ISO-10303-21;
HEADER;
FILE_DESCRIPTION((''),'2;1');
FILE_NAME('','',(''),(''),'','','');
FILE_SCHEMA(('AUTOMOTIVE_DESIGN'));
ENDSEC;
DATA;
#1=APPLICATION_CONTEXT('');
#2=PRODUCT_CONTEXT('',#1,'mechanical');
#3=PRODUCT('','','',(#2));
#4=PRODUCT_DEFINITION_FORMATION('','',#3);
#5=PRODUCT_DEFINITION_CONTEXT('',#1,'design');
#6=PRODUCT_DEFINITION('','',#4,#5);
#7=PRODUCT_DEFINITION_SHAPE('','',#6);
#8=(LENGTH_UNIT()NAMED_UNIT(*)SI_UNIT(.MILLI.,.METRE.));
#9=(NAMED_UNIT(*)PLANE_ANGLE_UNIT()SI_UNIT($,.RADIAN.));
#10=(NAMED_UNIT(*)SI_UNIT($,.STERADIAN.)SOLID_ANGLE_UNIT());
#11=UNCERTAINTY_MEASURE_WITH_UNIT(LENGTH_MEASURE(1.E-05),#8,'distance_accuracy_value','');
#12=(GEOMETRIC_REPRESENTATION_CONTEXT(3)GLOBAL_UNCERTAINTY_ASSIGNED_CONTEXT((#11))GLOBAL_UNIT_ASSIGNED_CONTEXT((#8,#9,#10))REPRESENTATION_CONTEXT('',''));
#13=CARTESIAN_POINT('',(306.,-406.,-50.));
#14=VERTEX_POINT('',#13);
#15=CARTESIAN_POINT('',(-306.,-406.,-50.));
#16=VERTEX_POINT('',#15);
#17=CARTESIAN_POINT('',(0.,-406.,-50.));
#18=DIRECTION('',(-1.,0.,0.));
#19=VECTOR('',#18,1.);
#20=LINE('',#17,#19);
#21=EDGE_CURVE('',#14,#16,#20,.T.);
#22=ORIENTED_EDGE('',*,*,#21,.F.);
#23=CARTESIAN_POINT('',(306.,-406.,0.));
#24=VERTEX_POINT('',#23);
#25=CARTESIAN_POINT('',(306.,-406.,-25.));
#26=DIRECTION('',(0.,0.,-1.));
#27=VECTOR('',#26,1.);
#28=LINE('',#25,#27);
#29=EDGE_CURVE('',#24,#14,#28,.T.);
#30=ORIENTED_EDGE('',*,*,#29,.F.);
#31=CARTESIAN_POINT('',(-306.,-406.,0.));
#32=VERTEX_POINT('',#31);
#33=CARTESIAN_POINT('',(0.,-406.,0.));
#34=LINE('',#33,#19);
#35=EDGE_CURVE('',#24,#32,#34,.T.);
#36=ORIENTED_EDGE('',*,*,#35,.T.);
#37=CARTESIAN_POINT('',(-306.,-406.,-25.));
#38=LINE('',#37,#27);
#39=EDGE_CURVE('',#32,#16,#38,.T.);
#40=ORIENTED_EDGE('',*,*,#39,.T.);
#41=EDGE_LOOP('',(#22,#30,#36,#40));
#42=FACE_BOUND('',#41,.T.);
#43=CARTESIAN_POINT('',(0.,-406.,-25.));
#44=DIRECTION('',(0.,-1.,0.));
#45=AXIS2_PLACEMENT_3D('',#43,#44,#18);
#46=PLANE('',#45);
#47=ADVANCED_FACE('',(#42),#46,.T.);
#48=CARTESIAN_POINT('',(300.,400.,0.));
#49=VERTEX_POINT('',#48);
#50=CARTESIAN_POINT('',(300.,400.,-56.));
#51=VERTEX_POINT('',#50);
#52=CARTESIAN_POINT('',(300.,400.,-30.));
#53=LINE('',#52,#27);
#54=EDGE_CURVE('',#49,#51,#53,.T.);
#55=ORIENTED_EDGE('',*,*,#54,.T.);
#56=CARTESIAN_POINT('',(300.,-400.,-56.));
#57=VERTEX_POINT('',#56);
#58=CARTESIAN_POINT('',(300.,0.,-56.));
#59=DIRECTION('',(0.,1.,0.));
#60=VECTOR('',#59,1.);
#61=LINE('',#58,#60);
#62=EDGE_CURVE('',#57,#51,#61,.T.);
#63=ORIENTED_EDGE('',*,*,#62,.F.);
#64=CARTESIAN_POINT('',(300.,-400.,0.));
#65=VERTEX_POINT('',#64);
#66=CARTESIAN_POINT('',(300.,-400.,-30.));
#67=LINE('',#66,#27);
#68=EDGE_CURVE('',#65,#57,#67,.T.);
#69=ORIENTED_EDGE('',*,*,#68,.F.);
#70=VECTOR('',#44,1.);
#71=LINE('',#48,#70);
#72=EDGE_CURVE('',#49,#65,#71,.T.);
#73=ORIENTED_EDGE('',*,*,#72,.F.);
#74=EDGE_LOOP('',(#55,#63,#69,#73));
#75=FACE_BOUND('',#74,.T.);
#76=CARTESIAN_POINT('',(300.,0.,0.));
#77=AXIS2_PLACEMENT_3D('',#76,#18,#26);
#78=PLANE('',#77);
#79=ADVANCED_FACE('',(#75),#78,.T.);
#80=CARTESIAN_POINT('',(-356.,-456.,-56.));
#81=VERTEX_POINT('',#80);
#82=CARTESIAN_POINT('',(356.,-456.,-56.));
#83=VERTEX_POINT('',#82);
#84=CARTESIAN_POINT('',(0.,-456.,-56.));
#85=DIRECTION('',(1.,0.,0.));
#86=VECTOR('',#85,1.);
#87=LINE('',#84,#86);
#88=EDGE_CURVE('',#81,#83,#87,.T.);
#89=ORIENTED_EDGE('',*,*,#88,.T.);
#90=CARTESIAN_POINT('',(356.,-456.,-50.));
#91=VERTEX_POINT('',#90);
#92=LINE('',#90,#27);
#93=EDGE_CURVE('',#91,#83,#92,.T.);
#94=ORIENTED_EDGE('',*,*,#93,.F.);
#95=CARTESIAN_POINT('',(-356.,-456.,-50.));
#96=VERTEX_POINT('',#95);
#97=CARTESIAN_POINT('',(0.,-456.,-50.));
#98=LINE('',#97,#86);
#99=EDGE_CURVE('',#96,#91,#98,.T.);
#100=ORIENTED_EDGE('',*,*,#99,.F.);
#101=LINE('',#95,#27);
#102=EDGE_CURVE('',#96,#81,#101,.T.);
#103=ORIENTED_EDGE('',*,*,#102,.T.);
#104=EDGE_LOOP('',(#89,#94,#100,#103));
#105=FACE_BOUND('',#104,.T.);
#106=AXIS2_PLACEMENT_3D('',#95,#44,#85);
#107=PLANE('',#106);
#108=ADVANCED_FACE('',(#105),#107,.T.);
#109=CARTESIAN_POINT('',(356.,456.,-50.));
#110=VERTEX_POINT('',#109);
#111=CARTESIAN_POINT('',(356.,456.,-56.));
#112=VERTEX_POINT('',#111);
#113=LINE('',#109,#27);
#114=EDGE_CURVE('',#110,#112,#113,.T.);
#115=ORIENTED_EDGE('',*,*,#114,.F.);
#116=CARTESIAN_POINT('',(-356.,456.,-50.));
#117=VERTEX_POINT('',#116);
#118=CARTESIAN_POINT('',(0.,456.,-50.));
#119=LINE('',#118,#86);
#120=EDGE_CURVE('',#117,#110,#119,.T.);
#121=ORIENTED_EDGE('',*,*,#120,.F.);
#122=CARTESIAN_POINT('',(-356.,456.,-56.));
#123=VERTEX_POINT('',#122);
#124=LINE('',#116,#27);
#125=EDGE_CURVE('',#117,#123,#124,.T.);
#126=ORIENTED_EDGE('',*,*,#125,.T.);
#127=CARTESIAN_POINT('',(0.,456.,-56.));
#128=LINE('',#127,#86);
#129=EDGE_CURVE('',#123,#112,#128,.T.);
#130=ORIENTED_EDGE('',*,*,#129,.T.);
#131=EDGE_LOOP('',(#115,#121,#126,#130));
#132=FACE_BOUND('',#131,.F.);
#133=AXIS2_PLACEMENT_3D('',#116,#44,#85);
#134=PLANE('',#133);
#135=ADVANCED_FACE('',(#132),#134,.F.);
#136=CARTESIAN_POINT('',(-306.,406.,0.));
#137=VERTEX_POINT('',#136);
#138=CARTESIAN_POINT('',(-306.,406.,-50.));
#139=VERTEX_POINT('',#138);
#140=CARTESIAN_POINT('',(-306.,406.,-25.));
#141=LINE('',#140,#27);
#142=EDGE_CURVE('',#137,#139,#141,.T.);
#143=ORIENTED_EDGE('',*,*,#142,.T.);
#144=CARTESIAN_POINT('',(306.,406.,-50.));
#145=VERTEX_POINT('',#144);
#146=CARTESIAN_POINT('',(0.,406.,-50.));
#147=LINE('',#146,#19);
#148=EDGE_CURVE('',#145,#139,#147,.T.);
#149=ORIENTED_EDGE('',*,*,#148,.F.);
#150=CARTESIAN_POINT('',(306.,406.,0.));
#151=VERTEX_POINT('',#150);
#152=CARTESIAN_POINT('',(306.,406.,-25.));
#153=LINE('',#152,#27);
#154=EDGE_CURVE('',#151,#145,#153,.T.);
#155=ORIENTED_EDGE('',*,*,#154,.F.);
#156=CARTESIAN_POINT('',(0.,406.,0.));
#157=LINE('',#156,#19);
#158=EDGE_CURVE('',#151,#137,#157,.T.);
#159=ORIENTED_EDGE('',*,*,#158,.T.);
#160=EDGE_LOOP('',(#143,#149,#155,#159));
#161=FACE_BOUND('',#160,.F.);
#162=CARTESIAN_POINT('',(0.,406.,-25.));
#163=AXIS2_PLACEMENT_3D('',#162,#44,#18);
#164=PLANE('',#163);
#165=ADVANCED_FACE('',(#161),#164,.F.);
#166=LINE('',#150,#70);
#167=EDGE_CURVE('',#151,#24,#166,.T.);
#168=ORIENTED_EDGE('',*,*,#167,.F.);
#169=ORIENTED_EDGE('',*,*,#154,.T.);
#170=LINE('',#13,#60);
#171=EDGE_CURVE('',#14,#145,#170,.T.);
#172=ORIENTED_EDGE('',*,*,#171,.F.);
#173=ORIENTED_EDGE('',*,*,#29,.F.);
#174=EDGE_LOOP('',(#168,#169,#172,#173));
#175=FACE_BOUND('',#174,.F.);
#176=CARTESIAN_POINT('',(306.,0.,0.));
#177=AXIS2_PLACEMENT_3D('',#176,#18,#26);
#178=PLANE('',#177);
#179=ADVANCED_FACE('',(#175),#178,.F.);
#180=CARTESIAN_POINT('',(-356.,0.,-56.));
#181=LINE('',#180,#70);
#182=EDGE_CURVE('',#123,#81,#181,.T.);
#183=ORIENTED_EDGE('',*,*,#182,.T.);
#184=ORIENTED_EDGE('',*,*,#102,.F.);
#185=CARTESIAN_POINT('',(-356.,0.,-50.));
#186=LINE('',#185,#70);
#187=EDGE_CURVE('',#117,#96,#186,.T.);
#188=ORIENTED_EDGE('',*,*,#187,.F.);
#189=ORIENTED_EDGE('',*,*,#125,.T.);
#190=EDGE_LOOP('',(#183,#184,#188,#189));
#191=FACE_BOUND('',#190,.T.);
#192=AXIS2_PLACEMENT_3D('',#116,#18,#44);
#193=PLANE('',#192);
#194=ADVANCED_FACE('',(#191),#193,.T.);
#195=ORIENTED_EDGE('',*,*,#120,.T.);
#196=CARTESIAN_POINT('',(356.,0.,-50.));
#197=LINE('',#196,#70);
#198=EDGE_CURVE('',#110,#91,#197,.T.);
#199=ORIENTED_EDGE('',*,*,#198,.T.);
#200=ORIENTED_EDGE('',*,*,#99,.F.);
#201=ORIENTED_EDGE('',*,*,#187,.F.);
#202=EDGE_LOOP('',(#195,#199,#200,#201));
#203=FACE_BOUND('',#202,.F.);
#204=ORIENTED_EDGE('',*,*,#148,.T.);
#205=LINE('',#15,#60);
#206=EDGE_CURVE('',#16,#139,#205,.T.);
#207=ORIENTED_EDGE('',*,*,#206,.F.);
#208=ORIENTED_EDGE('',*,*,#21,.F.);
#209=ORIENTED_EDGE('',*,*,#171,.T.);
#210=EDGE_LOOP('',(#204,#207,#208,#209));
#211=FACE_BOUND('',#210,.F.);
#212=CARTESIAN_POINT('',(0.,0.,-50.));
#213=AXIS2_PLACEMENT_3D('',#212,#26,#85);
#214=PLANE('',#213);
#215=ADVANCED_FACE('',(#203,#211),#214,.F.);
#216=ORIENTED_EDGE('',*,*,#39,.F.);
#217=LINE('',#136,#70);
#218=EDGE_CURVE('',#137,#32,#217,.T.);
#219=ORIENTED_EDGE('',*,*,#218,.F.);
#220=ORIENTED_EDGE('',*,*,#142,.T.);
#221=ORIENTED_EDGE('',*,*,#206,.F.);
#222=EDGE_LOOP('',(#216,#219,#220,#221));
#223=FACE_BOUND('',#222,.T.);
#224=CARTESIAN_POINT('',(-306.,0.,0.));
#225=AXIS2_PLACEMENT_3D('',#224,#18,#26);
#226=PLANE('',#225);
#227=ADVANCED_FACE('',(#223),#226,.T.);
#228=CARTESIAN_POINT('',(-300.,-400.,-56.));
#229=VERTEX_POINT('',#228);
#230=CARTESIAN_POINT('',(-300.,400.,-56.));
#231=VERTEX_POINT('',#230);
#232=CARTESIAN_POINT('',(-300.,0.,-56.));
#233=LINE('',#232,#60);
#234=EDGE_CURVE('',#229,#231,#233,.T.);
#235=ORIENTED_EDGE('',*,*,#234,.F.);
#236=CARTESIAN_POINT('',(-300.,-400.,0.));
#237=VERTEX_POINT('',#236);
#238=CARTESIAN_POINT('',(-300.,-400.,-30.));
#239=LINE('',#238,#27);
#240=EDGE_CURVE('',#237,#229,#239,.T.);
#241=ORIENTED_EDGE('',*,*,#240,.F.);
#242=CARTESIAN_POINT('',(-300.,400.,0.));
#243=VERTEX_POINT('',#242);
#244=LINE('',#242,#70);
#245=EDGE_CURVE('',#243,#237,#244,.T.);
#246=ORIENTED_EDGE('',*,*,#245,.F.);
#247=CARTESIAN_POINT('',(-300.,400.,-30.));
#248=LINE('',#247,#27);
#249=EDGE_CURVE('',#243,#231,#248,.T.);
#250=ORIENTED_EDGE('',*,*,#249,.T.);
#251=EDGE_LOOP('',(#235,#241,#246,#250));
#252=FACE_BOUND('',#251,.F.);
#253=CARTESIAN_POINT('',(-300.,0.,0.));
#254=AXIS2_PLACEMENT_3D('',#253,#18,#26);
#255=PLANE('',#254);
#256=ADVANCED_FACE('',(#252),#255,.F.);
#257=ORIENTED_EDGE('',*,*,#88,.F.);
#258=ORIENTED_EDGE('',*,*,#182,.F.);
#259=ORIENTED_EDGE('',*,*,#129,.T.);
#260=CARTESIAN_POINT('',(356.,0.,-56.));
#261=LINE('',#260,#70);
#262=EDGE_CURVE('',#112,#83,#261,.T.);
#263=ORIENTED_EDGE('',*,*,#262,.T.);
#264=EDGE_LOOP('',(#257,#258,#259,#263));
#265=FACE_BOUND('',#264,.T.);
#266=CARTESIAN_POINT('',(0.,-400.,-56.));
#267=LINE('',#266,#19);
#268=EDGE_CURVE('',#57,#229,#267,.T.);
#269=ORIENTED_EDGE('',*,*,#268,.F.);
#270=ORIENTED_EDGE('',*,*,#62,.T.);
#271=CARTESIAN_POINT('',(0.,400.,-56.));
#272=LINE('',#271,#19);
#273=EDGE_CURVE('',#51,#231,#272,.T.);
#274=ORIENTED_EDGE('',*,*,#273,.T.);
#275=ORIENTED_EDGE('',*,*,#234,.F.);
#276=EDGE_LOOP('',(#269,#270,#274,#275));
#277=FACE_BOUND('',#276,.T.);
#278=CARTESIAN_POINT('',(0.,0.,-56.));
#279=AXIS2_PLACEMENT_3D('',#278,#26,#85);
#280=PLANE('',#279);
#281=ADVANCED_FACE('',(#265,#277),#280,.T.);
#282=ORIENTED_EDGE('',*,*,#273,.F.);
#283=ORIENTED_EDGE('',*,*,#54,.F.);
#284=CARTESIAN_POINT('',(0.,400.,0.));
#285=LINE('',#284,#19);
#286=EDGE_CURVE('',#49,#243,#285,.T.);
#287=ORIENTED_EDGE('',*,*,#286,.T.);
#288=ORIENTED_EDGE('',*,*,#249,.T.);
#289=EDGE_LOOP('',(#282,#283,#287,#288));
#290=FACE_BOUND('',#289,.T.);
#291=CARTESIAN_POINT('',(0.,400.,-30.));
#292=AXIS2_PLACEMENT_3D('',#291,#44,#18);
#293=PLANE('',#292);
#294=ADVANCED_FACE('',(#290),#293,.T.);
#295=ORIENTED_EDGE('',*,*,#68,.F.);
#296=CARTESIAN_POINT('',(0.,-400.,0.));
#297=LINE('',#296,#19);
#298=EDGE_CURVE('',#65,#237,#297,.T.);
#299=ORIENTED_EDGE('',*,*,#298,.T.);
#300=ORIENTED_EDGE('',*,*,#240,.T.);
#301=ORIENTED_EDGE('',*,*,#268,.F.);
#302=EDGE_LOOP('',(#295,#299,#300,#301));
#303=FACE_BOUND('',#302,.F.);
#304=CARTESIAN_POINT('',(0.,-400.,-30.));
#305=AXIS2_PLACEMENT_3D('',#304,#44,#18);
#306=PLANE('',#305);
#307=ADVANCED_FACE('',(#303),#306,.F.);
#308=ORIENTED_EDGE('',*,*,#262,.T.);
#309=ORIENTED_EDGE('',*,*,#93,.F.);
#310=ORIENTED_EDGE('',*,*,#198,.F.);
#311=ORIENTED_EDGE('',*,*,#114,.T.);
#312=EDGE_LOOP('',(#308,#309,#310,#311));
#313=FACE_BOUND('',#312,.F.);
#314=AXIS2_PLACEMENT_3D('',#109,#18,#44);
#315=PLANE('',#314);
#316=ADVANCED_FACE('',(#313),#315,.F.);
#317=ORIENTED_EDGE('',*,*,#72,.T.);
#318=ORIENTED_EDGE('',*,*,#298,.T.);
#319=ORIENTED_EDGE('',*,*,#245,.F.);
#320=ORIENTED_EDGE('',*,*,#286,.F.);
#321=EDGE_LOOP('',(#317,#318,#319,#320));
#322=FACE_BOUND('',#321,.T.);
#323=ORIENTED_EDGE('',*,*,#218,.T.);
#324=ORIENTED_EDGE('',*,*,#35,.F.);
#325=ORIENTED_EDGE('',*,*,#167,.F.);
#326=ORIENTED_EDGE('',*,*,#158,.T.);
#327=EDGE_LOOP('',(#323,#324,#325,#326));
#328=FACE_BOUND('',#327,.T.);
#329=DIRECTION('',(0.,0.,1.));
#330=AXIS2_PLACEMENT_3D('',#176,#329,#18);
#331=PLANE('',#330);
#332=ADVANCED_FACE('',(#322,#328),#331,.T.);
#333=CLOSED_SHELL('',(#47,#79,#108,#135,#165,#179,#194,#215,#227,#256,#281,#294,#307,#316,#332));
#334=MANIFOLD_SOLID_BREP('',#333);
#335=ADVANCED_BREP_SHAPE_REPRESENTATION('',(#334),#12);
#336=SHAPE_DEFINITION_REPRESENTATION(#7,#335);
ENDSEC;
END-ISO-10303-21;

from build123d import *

# Parameters (mm, degrees)
SKETCH052_W            = 600
SKETCH052_H            = 60
PAD003_DEPTH           = 400
SKETCH004_W            = 612
SKETCH004_H            = 50
PAD004_DEPTH           = 406
SKETCH053_W            = 712
SKETCH053_H            = 912
PAD005_DEPTH           = 6
CUT001_PLACEMENT_ANGLE = 180


with BuildPart() as body002:
    # Sketch052 → Pad003 (new body, symmetric)
    with BuildSketch(Plane.XZ):
        with Locations((0, 30)):
            Rectangle(SKETCH052_W, SKETCH052_H)
    extrude(amount=PAD003_DEPTH, both=True)


with BuildPart() as cut001:
    # Sketch004 → Pad004 (new body, symmetric)
    with BuildSketch(Plane.XZ):
        with Locations((0, 25)):
            Rectangle(SKETCH004_W, SKETCH004_H)
    extrude(amount=PAD004_DEPTH, both=True)

    # Sketch053 (on Face3 of Pad004) → Pad005 (join)
    with BuildSketch(Plane(origin=(0, 0, 50), x_dir=(-1, 0, 0), z_dir=(0, 0, 1))):
        Rectangle(SKETCH053_W, SKETCH053_H)
    extrude(amount=PAD005_DEPTH)

    # Cut001: cut Body002
    add(body002.part, mode=Mode.SUBTRACT)


with BuildPart() as cut001_1:
    # Cut001 placement: moved
    add(cut001.part.rotate(Axis((0, 0, 0), (0, 1, 0)), CUT001_PLACEMENT_ANGLE))


solid = cut001_1.part
